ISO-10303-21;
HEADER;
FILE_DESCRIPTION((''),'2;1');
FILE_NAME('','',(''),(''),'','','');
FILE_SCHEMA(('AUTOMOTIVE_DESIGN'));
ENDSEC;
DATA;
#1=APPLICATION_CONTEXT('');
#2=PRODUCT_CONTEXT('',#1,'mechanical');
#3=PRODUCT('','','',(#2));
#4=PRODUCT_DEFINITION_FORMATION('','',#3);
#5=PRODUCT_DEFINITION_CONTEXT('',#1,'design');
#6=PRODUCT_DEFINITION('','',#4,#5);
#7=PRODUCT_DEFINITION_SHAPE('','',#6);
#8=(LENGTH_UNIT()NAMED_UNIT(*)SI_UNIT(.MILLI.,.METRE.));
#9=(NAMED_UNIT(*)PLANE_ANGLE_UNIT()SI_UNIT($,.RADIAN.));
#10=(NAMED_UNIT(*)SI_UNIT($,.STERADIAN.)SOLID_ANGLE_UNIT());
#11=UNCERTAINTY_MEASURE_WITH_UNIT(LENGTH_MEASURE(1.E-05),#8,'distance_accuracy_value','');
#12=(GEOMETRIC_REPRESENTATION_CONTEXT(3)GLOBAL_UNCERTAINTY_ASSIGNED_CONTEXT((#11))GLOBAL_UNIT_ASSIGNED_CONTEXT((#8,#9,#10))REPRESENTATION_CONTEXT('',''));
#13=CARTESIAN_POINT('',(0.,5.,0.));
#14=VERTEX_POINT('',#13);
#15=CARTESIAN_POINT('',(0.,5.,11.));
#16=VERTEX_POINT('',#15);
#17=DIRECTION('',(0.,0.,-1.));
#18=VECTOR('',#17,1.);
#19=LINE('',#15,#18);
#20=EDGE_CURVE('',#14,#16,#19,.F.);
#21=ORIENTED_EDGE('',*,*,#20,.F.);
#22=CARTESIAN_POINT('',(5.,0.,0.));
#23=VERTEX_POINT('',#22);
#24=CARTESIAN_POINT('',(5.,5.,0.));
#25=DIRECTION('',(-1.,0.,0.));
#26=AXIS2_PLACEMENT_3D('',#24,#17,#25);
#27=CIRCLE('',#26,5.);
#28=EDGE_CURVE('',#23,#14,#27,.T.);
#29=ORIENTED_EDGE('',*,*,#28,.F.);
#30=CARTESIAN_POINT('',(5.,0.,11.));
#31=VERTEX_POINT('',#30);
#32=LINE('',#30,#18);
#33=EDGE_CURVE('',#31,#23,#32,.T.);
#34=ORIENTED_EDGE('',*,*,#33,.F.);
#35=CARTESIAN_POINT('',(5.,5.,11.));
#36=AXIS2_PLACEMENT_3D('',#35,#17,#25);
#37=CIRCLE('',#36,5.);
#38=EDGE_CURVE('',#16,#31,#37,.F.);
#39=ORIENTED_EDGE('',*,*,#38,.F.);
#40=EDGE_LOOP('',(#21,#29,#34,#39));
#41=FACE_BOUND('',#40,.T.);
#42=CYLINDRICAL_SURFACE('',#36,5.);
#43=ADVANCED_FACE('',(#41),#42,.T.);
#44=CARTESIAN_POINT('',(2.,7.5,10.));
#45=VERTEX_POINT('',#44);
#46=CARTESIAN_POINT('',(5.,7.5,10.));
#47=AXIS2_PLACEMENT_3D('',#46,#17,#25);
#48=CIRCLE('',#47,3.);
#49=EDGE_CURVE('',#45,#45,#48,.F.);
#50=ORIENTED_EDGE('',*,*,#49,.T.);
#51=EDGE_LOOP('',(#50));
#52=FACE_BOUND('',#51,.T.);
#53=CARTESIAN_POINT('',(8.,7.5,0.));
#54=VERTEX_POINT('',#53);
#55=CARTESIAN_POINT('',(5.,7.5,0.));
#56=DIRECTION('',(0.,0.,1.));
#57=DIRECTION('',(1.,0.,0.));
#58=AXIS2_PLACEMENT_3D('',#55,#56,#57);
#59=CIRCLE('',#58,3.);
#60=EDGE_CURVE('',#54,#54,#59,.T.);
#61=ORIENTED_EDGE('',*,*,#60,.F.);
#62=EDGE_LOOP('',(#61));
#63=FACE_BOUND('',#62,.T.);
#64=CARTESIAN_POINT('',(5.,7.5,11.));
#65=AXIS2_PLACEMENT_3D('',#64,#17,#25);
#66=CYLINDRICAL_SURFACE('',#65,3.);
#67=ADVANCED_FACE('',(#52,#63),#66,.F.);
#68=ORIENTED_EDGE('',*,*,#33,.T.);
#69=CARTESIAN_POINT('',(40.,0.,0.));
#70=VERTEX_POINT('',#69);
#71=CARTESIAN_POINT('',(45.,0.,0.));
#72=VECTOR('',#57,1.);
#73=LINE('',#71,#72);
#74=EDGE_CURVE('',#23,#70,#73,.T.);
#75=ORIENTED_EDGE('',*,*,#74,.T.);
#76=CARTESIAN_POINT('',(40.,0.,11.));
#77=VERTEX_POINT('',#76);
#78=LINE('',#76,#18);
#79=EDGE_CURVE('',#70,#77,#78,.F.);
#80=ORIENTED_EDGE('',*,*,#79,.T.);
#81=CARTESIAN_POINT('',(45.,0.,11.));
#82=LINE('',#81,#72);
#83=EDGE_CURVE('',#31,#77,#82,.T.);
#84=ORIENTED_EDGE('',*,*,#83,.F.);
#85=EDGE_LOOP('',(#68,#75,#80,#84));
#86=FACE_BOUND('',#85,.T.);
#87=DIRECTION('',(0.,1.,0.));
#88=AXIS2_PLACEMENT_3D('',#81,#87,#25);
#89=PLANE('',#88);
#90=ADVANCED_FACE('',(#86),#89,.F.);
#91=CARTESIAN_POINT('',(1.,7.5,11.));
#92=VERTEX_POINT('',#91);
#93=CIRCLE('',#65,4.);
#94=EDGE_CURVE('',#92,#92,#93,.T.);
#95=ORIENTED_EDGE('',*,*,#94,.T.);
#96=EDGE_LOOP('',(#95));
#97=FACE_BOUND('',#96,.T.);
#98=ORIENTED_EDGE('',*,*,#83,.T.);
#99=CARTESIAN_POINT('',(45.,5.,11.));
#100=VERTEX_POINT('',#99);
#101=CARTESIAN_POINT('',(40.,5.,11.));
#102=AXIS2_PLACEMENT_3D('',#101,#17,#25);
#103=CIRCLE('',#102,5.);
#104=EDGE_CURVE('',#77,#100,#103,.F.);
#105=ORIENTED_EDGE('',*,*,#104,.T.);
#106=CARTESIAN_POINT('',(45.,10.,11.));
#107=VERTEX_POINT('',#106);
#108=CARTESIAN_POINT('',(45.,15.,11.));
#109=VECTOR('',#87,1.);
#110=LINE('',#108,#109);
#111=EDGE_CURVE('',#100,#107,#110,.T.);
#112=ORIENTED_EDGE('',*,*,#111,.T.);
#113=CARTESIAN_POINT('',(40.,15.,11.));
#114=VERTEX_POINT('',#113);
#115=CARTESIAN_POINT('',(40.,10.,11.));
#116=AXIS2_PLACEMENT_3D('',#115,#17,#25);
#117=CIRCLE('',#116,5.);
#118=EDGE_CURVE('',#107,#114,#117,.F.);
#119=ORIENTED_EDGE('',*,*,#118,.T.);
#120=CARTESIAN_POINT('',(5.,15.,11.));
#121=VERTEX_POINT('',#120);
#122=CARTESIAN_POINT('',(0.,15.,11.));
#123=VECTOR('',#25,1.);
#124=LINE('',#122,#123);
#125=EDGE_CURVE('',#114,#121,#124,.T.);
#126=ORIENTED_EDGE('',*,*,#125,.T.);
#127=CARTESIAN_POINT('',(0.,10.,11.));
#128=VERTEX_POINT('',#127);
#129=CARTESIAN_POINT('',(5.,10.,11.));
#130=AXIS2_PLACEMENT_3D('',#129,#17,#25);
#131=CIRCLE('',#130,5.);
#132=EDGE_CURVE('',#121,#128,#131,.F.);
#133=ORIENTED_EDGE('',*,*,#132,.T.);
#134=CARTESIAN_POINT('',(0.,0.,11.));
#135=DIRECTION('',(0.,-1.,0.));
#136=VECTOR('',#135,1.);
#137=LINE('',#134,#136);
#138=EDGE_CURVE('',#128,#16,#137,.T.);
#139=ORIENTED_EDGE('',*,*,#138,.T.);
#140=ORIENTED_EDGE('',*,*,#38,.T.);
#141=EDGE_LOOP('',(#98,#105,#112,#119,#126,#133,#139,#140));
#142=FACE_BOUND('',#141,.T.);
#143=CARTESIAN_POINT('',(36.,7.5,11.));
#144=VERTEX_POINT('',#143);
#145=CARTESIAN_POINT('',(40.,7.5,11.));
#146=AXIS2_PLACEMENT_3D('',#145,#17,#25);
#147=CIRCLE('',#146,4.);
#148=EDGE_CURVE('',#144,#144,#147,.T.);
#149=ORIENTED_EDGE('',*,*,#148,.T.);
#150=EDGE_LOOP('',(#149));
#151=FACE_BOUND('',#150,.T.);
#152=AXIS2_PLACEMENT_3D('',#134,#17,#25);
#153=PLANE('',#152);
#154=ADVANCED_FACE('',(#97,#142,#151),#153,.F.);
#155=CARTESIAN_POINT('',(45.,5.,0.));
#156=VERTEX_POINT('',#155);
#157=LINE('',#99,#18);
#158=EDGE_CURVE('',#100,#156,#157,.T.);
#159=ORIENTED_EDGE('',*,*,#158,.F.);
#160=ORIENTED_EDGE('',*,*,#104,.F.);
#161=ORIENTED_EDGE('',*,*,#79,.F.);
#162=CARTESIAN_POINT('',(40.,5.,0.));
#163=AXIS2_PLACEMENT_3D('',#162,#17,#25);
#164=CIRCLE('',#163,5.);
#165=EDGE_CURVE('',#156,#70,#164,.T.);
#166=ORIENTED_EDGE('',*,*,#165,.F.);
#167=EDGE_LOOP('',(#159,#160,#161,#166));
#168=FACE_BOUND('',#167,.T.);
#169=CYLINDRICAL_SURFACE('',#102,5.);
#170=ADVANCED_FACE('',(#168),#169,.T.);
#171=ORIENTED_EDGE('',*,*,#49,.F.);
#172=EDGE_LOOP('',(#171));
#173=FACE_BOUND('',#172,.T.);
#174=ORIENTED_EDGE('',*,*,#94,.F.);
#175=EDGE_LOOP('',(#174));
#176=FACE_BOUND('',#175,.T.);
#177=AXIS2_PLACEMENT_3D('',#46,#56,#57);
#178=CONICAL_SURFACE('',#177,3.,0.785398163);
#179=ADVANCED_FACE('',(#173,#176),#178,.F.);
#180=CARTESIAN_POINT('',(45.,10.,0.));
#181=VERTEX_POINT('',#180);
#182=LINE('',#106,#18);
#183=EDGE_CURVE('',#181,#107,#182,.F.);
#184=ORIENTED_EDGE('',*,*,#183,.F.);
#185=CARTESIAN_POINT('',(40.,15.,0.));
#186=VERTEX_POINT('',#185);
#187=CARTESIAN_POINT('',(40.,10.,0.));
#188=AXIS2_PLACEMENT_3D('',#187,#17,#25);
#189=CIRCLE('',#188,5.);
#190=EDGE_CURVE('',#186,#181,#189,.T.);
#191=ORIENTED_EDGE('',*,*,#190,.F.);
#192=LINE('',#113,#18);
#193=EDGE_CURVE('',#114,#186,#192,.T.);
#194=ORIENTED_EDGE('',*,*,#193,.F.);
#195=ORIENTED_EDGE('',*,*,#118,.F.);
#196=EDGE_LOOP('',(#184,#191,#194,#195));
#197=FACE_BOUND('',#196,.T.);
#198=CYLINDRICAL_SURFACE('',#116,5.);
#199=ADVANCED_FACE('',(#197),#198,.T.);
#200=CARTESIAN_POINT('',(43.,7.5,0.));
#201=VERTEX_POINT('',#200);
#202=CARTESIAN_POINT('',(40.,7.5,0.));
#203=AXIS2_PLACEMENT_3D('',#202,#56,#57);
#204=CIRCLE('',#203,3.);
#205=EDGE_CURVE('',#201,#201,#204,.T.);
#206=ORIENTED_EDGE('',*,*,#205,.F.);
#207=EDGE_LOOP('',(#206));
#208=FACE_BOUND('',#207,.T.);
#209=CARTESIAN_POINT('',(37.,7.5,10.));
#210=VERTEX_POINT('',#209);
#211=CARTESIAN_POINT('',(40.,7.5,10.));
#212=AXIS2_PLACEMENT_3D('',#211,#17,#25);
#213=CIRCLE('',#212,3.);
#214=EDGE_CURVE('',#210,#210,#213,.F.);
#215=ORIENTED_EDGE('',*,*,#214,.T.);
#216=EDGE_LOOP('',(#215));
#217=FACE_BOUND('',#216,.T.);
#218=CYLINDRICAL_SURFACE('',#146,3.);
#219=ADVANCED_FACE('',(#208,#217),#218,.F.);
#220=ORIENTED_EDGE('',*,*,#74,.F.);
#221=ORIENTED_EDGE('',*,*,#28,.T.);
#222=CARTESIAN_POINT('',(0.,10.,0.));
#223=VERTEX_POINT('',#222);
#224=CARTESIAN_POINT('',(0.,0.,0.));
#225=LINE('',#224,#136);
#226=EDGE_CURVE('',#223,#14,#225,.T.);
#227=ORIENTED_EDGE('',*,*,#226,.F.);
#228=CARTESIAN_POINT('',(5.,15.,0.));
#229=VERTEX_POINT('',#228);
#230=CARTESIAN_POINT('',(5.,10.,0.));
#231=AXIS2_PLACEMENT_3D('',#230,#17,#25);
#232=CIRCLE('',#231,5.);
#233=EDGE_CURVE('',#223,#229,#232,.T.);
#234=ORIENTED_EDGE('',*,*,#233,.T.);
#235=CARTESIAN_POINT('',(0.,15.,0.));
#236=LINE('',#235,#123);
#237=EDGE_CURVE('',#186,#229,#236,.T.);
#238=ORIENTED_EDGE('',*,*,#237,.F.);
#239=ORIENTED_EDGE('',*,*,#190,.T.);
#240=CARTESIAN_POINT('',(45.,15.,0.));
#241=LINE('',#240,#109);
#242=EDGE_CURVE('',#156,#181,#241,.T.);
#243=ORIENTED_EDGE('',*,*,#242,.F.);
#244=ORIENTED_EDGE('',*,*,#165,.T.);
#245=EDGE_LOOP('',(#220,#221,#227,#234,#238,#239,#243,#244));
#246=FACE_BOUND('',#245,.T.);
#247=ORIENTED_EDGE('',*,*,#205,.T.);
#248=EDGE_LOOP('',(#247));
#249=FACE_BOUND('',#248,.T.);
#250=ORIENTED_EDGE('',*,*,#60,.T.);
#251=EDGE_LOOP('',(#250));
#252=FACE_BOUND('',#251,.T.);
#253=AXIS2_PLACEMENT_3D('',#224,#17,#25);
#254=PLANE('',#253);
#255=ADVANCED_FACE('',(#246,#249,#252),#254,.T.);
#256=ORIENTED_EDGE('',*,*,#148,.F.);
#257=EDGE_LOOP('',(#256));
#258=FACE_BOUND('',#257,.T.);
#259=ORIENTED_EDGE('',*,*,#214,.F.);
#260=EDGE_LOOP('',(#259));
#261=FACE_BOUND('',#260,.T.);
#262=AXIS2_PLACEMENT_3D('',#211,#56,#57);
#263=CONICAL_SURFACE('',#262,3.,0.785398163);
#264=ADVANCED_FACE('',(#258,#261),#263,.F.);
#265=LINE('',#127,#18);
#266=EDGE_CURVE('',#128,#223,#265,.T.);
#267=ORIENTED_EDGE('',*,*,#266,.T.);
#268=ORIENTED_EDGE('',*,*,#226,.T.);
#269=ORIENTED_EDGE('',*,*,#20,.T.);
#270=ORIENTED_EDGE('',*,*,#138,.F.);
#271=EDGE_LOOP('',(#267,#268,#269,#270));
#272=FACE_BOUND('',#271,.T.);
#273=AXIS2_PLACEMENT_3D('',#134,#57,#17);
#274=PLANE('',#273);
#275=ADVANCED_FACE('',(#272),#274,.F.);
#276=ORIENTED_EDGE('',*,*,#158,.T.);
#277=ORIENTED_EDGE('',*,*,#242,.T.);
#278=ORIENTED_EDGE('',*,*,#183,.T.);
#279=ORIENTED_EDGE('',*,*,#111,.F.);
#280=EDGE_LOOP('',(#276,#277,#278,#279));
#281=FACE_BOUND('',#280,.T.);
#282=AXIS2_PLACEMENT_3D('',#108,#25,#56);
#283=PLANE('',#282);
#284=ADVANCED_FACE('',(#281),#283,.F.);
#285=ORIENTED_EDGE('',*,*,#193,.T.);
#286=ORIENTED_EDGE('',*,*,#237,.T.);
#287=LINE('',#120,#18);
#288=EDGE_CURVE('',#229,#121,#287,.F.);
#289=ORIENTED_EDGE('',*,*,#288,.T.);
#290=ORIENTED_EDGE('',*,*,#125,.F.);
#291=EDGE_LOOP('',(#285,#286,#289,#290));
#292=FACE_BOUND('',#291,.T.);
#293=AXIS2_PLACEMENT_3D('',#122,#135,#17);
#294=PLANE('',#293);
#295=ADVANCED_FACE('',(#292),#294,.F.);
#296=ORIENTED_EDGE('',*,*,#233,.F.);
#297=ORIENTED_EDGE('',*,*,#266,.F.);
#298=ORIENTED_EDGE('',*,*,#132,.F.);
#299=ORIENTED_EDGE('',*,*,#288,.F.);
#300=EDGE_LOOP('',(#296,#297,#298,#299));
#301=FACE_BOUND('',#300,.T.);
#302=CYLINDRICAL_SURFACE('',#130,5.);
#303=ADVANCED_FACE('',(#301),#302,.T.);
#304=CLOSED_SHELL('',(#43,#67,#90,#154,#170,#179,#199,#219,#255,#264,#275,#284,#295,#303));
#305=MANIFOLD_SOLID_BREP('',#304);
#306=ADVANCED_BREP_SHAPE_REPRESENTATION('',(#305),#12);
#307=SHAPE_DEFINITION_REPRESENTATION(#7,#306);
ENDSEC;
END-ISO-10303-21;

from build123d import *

# Parameters (mm, degrees)
CROQUIS1_W              = 45
CROQUIS1_H              = 15
CROQUIS1_R              = 3
SALIENTE_EXTRUIR1_DEPTH = 11
REDONDEO1_R             = 5
CHAFL_N1_SIZE           = 1


with BuildPart() as part:
    # Croquis1 → Saliente-Extruir1 (new body)
    with BuildSketch(Plane.XY):
        with Locations((22.5, 7.5)):
            Rectangle(CROQUIS1_W, CROQUIS1_H)
        with Locations((5, 7.5)):
            Circle(CROQUIS1_R, mode=Mode.SUBTRACT)
        with Locations((40, 7.5)):
            Circle(CROQUIS1_R, mode=Mode.SUBTRACT)
    extrude(amount=SALIENTE_EXTRUIR1_DEPTH)

    # Redondeo1
    redondeo1_edges = [part.edges().sort_by_distance(p)[0] for p in [
        (0, 0, 5.5),
        (0, 15, 5.5),
        (45, 15, 5.5),
        (45, 0, 5.5),
    ]]
    fillet(redondeo1_edges, radius=REDONDEO1_R)

    # Chaflán1
    chafl_n1_edges = [part.edges().sort_by_distance(p)[0] for p in [
        (2, 7.5, 11),
        (37, 7.5, 11),
    ]]
    chamfer(chafl_n1_edges, length=CHAFL_N1_SIZE)


solid = part.part
